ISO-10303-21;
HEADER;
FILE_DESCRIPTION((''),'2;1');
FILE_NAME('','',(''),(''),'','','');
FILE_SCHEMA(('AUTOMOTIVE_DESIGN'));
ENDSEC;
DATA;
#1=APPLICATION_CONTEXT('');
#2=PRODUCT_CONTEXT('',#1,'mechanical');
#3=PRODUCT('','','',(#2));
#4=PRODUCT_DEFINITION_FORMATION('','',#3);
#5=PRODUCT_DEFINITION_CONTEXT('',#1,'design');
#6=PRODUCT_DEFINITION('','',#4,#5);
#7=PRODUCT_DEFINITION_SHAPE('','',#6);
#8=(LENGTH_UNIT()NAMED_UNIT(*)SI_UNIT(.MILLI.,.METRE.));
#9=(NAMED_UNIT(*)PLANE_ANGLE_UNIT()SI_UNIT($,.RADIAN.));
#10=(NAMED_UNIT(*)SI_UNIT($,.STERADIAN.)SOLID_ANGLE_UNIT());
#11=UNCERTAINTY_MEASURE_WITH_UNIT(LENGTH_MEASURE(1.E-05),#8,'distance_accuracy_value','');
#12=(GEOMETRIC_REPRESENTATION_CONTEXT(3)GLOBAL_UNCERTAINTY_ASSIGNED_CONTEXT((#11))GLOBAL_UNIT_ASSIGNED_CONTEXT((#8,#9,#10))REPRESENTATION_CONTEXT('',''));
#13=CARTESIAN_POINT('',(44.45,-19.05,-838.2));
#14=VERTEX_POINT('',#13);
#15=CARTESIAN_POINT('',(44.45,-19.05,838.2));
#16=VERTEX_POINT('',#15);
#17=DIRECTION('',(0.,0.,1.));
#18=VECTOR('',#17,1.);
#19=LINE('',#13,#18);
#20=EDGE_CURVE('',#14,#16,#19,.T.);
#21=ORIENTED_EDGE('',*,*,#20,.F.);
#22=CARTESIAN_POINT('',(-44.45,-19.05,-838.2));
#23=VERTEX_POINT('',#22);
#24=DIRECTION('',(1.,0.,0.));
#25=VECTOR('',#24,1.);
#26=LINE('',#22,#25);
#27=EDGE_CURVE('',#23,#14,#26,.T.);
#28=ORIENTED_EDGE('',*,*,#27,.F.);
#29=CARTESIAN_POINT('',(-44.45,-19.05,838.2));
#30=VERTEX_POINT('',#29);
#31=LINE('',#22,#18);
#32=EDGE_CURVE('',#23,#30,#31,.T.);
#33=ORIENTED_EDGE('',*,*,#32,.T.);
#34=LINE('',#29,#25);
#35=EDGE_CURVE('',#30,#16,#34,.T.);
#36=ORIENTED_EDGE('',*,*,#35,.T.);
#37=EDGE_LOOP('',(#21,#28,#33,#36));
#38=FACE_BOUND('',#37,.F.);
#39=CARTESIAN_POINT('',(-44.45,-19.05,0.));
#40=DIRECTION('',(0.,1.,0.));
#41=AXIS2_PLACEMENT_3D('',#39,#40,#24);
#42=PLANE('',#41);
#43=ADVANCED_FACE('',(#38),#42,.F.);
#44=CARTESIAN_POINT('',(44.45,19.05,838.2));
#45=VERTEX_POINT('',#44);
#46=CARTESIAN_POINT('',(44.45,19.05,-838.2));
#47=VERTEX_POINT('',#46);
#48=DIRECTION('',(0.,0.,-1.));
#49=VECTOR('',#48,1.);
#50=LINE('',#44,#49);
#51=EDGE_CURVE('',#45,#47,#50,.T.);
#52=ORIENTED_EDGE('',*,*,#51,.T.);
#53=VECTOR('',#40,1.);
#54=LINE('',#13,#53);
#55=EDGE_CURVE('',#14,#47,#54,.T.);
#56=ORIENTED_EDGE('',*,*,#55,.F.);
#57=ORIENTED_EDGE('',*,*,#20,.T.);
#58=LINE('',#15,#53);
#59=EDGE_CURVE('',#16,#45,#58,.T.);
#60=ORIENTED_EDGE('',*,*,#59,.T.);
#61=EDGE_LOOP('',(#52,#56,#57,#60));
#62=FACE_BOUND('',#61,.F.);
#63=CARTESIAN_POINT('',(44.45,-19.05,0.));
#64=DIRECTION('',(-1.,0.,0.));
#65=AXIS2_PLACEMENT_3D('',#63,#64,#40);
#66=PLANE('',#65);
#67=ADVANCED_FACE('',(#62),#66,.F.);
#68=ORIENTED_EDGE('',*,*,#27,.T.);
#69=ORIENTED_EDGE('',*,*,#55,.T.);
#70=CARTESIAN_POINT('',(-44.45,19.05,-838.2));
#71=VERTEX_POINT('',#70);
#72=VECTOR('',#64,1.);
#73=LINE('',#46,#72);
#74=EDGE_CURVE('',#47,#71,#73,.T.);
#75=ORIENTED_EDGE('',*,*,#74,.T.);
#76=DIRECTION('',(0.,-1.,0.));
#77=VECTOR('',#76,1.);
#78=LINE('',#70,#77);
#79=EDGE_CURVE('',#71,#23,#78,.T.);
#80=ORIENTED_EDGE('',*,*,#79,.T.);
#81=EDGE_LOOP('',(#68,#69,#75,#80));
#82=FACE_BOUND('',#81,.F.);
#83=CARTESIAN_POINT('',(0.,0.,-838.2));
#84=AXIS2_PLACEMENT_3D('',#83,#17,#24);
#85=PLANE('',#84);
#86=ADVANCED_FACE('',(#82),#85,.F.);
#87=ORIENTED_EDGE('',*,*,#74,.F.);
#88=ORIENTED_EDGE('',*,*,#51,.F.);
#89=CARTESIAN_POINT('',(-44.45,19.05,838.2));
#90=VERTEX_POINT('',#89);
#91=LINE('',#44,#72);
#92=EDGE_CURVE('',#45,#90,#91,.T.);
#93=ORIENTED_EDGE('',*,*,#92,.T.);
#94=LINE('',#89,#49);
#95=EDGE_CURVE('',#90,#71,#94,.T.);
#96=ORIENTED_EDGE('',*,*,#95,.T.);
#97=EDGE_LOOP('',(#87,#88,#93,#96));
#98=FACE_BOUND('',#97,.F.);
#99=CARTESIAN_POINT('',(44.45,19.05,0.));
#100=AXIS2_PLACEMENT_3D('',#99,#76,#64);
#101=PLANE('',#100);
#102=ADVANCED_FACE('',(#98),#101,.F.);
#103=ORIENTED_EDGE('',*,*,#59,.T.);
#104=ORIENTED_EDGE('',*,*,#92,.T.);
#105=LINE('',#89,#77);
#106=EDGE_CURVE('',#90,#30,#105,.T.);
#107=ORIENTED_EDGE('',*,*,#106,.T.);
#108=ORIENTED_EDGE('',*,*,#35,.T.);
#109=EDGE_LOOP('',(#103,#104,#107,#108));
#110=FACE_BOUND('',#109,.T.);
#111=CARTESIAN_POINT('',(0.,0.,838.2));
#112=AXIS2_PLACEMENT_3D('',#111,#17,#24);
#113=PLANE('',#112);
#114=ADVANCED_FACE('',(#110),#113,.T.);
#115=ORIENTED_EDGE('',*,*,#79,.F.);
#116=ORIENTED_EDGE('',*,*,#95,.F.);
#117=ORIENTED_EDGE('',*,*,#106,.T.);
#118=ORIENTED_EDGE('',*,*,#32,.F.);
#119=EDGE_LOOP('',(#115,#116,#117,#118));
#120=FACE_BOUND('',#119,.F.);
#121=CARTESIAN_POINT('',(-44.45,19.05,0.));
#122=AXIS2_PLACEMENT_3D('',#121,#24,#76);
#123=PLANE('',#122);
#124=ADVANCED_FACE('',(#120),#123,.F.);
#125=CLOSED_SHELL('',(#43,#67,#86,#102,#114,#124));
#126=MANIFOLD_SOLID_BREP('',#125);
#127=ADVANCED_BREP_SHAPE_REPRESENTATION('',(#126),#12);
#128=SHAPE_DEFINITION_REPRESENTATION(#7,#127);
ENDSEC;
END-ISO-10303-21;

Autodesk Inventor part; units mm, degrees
ref_plane "YZ Plane" through (0, 0, 0) normal (1, 0, 0) x (0, 1, 0)
ref_plane "XZ Plane" through (0, 0, 0) normal (0, 1, 0) x (-1, 0, 0)
ref_plane "XY Plane" through (0, 0, 0) normal (0, 0, 1) x (1, 0, 0)
sketch "Sketch1" plane through (0, 0, 0) normal (0, 0, 1) x (1, 0, 0)
  line L0 (-44.45, -19.05) -> (44.45, -19.05)
  line L1 (44.45, -19.05) -> (44.45, 19.05)
  line L2 (44.45, 19.05) -> (-44.45, 19.05)
  line L3 (-44.45, 19.05) -> (-44.45, -19.05)
  line L4 (-44.45, -19.05) -> (44.45, 19.05) construction
  line L5 (44.45, -19.05) -> (-44.45, 19.05) construction
  point P0 (0, 0)
  dimension "width" = 88.9
  dimension "depth" = 38.1
extrude "Extrusion1" add sketch "Sketch1" along normal mid plane 1676.4
properties part number "2x4x66-board" material "Wood (Birch)"
